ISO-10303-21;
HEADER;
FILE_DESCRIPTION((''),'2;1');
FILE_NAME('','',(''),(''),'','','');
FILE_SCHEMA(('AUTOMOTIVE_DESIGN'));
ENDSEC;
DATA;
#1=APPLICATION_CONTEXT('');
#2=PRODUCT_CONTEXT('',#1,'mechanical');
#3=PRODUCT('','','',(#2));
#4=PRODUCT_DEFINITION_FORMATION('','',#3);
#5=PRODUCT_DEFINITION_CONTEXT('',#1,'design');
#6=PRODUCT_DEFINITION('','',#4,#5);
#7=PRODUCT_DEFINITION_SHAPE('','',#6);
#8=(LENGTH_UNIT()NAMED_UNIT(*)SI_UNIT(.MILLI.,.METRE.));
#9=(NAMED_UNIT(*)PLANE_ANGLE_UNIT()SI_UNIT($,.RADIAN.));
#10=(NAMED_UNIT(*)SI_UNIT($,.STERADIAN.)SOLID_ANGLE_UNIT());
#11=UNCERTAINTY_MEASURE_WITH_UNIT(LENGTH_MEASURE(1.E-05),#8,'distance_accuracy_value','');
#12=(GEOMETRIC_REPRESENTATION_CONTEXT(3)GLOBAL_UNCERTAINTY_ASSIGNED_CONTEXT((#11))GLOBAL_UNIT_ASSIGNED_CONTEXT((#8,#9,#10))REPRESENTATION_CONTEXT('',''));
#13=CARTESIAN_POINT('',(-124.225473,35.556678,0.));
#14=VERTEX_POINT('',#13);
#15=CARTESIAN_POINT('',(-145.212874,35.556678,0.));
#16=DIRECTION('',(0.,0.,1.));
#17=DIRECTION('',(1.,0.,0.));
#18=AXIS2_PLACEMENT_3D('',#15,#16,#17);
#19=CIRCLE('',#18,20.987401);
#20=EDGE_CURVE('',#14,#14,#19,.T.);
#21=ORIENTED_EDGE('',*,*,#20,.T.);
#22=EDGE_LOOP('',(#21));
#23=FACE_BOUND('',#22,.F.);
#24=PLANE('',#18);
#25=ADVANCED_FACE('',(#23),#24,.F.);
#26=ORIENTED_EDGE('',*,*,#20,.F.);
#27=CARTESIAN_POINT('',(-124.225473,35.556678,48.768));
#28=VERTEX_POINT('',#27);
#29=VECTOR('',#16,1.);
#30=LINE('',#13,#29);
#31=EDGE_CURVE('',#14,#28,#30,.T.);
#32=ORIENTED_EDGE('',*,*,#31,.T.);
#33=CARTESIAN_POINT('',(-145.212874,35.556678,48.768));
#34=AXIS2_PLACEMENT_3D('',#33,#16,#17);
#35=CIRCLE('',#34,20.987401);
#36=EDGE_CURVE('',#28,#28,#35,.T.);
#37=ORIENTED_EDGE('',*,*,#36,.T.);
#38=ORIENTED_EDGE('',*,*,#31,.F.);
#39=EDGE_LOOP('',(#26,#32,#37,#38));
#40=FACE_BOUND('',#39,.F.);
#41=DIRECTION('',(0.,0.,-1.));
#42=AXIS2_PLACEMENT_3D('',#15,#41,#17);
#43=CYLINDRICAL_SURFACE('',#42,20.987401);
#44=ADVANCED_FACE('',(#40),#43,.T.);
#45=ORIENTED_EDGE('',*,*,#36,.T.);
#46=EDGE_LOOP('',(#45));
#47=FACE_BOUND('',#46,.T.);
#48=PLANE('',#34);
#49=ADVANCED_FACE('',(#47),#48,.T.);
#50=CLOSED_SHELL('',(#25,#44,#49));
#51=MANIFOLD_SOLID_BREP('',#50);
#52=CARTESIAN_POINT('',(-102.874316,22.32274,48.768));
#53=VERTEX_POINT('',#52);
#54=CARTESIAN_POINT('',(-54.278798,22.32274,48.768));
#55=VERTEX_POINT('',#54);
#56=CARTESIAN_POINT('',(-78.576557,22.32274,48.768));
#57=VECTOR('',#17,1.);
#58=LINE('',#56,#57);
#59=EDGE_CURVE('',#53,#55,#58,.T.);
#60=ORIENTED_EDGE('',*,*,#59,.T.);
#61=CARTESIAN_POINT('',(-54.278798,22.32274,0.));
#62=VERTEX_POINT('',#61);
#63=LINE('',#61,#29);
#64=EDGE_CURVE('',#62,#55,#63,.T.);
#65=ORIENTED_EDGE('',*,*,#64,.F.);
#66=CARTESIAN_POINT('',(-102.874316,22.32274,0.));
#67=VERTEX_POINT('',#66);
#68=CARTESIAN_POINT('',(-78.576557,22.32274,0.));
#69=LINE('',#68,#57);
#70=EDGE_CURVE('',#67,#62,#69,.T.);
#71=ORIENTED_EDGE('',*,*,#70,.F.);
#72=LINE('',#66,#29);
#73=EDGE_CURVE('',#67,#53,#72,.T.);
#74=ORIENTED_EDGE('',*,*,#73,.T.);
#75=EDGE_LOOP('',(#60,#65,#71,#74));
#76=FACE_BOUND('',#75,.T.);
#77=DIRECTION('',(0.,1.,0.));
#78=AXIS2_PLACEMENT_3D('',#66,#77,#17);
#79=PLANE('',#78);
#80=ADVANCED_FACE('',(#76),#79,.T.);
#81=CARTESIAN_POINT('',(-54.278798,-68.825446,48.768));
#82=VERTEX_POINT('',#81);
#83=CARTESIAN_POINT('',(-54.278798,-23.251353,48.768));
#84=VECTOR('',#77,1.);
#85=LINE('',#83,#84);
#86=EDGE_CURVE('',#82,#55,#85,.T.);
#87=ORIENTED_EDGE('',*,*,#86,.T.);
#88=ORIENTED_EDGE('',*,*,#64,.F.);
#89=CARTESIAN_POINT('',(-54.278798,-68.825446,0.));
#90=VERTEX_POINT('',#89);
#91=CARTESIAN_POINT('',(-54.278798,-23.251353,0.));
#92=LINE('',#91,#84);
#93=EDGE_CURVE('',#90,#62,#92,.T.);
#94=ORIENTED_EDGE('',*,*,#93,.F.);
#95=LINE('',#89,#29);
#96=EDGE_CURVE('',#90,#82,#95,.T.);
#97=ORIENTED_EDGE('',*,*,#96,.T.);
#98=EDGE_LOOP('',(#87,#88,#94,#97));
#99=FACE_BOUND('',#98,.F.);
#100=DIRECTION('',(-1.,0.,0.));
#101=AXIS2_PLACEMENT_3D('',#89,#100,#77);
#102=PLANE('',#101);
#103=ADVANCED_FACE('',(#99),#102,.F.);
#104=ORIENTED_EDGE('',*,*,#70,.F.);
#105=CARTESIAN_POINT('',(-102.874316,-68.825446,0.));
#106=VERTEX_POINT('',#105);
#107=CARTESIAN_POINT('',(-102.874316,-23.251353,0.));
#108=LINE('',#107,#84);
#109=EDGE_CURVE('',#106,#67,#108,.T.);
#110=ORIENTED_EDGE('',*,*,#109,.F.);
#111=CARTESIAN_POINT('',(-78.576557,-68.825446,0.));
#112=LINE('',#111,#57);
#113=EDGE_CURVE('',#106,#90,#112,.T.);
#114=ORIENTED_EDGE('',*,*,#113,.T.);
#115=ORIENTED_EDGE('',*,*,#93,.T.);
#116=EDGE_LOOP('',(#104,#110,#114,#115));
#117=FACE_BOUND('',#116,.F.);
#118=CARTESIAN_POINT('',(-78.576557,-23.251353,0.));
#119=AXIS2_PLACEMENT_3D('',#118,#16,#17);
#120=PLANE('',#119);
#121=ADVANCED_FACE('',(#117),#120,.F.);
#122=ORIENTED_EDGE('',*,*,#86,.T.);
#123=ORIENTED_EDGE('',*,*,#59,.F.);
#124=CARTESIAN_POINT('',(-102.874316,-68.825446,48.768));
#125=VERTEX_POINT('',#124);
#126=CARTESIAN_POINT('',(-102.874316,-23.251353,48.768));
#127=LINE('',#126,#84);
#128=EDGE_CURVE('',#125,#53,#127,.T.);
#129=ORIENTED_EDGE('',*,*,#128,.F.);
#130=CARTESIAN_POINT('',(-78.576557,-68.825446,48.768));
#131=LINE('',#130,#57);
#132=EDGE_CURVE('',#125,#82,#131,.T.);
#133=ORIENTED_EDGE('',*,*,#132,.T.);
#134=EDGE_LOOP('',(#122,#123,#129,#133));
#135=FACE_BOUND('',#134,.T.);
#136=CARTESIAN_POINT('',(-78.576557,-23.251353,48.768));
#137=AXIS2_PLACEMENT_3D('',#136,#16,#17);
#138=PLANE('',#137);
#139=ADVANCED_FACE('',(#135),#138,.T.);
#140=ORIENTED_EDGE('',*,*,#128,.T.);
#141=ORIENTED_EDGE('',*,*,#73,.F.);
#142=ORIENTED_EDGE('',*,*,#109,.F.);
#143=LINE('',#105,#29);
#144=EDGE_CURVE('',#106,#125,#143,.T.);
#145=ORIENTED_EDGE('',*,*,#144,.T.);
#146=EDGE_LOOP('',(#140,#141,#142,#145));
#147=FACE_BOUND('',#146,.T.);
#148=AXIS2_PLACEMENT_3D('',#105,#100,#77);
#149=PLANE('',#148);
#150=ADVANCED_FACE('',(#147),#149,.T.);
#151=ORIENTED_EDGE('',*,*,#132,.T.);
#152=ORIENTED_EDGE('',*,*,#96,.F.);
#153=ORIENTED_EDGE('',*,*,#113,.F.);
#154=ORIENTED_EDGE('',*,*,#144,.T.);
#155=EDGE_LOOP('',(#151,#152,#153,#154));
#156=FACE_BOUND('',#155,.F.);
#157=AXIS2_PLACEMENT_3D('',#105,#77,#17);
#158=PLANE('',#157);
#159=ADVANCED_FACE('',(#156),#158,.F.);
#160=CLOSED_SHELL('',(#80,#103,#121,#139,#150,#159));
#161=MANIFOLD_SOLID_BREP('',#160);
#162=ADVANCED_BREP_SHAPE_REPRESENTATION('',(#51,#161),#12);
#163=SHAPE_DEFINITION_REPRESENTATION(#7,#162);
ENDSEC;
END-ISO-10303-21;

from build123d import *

# Parameters (mm, degrees)
F0_R     = 20.987401
F0_W     = 48.595518
F0_H     = 91.148186
F1_DEPTH = 48.768


with BuildPart() as f1:
    # F0 (on Top) → F1 (new body)
    with BuildSketch(Plane.XY):
        with Locations((-145.212874, 35.556678)):
            Circle(F0_R)
        with Locations((-78.576557, -23.251353)):
            Rectangle(F0_W, F0_H)
    extrude(amount=F1_DEPTH)


solid = f1.part
